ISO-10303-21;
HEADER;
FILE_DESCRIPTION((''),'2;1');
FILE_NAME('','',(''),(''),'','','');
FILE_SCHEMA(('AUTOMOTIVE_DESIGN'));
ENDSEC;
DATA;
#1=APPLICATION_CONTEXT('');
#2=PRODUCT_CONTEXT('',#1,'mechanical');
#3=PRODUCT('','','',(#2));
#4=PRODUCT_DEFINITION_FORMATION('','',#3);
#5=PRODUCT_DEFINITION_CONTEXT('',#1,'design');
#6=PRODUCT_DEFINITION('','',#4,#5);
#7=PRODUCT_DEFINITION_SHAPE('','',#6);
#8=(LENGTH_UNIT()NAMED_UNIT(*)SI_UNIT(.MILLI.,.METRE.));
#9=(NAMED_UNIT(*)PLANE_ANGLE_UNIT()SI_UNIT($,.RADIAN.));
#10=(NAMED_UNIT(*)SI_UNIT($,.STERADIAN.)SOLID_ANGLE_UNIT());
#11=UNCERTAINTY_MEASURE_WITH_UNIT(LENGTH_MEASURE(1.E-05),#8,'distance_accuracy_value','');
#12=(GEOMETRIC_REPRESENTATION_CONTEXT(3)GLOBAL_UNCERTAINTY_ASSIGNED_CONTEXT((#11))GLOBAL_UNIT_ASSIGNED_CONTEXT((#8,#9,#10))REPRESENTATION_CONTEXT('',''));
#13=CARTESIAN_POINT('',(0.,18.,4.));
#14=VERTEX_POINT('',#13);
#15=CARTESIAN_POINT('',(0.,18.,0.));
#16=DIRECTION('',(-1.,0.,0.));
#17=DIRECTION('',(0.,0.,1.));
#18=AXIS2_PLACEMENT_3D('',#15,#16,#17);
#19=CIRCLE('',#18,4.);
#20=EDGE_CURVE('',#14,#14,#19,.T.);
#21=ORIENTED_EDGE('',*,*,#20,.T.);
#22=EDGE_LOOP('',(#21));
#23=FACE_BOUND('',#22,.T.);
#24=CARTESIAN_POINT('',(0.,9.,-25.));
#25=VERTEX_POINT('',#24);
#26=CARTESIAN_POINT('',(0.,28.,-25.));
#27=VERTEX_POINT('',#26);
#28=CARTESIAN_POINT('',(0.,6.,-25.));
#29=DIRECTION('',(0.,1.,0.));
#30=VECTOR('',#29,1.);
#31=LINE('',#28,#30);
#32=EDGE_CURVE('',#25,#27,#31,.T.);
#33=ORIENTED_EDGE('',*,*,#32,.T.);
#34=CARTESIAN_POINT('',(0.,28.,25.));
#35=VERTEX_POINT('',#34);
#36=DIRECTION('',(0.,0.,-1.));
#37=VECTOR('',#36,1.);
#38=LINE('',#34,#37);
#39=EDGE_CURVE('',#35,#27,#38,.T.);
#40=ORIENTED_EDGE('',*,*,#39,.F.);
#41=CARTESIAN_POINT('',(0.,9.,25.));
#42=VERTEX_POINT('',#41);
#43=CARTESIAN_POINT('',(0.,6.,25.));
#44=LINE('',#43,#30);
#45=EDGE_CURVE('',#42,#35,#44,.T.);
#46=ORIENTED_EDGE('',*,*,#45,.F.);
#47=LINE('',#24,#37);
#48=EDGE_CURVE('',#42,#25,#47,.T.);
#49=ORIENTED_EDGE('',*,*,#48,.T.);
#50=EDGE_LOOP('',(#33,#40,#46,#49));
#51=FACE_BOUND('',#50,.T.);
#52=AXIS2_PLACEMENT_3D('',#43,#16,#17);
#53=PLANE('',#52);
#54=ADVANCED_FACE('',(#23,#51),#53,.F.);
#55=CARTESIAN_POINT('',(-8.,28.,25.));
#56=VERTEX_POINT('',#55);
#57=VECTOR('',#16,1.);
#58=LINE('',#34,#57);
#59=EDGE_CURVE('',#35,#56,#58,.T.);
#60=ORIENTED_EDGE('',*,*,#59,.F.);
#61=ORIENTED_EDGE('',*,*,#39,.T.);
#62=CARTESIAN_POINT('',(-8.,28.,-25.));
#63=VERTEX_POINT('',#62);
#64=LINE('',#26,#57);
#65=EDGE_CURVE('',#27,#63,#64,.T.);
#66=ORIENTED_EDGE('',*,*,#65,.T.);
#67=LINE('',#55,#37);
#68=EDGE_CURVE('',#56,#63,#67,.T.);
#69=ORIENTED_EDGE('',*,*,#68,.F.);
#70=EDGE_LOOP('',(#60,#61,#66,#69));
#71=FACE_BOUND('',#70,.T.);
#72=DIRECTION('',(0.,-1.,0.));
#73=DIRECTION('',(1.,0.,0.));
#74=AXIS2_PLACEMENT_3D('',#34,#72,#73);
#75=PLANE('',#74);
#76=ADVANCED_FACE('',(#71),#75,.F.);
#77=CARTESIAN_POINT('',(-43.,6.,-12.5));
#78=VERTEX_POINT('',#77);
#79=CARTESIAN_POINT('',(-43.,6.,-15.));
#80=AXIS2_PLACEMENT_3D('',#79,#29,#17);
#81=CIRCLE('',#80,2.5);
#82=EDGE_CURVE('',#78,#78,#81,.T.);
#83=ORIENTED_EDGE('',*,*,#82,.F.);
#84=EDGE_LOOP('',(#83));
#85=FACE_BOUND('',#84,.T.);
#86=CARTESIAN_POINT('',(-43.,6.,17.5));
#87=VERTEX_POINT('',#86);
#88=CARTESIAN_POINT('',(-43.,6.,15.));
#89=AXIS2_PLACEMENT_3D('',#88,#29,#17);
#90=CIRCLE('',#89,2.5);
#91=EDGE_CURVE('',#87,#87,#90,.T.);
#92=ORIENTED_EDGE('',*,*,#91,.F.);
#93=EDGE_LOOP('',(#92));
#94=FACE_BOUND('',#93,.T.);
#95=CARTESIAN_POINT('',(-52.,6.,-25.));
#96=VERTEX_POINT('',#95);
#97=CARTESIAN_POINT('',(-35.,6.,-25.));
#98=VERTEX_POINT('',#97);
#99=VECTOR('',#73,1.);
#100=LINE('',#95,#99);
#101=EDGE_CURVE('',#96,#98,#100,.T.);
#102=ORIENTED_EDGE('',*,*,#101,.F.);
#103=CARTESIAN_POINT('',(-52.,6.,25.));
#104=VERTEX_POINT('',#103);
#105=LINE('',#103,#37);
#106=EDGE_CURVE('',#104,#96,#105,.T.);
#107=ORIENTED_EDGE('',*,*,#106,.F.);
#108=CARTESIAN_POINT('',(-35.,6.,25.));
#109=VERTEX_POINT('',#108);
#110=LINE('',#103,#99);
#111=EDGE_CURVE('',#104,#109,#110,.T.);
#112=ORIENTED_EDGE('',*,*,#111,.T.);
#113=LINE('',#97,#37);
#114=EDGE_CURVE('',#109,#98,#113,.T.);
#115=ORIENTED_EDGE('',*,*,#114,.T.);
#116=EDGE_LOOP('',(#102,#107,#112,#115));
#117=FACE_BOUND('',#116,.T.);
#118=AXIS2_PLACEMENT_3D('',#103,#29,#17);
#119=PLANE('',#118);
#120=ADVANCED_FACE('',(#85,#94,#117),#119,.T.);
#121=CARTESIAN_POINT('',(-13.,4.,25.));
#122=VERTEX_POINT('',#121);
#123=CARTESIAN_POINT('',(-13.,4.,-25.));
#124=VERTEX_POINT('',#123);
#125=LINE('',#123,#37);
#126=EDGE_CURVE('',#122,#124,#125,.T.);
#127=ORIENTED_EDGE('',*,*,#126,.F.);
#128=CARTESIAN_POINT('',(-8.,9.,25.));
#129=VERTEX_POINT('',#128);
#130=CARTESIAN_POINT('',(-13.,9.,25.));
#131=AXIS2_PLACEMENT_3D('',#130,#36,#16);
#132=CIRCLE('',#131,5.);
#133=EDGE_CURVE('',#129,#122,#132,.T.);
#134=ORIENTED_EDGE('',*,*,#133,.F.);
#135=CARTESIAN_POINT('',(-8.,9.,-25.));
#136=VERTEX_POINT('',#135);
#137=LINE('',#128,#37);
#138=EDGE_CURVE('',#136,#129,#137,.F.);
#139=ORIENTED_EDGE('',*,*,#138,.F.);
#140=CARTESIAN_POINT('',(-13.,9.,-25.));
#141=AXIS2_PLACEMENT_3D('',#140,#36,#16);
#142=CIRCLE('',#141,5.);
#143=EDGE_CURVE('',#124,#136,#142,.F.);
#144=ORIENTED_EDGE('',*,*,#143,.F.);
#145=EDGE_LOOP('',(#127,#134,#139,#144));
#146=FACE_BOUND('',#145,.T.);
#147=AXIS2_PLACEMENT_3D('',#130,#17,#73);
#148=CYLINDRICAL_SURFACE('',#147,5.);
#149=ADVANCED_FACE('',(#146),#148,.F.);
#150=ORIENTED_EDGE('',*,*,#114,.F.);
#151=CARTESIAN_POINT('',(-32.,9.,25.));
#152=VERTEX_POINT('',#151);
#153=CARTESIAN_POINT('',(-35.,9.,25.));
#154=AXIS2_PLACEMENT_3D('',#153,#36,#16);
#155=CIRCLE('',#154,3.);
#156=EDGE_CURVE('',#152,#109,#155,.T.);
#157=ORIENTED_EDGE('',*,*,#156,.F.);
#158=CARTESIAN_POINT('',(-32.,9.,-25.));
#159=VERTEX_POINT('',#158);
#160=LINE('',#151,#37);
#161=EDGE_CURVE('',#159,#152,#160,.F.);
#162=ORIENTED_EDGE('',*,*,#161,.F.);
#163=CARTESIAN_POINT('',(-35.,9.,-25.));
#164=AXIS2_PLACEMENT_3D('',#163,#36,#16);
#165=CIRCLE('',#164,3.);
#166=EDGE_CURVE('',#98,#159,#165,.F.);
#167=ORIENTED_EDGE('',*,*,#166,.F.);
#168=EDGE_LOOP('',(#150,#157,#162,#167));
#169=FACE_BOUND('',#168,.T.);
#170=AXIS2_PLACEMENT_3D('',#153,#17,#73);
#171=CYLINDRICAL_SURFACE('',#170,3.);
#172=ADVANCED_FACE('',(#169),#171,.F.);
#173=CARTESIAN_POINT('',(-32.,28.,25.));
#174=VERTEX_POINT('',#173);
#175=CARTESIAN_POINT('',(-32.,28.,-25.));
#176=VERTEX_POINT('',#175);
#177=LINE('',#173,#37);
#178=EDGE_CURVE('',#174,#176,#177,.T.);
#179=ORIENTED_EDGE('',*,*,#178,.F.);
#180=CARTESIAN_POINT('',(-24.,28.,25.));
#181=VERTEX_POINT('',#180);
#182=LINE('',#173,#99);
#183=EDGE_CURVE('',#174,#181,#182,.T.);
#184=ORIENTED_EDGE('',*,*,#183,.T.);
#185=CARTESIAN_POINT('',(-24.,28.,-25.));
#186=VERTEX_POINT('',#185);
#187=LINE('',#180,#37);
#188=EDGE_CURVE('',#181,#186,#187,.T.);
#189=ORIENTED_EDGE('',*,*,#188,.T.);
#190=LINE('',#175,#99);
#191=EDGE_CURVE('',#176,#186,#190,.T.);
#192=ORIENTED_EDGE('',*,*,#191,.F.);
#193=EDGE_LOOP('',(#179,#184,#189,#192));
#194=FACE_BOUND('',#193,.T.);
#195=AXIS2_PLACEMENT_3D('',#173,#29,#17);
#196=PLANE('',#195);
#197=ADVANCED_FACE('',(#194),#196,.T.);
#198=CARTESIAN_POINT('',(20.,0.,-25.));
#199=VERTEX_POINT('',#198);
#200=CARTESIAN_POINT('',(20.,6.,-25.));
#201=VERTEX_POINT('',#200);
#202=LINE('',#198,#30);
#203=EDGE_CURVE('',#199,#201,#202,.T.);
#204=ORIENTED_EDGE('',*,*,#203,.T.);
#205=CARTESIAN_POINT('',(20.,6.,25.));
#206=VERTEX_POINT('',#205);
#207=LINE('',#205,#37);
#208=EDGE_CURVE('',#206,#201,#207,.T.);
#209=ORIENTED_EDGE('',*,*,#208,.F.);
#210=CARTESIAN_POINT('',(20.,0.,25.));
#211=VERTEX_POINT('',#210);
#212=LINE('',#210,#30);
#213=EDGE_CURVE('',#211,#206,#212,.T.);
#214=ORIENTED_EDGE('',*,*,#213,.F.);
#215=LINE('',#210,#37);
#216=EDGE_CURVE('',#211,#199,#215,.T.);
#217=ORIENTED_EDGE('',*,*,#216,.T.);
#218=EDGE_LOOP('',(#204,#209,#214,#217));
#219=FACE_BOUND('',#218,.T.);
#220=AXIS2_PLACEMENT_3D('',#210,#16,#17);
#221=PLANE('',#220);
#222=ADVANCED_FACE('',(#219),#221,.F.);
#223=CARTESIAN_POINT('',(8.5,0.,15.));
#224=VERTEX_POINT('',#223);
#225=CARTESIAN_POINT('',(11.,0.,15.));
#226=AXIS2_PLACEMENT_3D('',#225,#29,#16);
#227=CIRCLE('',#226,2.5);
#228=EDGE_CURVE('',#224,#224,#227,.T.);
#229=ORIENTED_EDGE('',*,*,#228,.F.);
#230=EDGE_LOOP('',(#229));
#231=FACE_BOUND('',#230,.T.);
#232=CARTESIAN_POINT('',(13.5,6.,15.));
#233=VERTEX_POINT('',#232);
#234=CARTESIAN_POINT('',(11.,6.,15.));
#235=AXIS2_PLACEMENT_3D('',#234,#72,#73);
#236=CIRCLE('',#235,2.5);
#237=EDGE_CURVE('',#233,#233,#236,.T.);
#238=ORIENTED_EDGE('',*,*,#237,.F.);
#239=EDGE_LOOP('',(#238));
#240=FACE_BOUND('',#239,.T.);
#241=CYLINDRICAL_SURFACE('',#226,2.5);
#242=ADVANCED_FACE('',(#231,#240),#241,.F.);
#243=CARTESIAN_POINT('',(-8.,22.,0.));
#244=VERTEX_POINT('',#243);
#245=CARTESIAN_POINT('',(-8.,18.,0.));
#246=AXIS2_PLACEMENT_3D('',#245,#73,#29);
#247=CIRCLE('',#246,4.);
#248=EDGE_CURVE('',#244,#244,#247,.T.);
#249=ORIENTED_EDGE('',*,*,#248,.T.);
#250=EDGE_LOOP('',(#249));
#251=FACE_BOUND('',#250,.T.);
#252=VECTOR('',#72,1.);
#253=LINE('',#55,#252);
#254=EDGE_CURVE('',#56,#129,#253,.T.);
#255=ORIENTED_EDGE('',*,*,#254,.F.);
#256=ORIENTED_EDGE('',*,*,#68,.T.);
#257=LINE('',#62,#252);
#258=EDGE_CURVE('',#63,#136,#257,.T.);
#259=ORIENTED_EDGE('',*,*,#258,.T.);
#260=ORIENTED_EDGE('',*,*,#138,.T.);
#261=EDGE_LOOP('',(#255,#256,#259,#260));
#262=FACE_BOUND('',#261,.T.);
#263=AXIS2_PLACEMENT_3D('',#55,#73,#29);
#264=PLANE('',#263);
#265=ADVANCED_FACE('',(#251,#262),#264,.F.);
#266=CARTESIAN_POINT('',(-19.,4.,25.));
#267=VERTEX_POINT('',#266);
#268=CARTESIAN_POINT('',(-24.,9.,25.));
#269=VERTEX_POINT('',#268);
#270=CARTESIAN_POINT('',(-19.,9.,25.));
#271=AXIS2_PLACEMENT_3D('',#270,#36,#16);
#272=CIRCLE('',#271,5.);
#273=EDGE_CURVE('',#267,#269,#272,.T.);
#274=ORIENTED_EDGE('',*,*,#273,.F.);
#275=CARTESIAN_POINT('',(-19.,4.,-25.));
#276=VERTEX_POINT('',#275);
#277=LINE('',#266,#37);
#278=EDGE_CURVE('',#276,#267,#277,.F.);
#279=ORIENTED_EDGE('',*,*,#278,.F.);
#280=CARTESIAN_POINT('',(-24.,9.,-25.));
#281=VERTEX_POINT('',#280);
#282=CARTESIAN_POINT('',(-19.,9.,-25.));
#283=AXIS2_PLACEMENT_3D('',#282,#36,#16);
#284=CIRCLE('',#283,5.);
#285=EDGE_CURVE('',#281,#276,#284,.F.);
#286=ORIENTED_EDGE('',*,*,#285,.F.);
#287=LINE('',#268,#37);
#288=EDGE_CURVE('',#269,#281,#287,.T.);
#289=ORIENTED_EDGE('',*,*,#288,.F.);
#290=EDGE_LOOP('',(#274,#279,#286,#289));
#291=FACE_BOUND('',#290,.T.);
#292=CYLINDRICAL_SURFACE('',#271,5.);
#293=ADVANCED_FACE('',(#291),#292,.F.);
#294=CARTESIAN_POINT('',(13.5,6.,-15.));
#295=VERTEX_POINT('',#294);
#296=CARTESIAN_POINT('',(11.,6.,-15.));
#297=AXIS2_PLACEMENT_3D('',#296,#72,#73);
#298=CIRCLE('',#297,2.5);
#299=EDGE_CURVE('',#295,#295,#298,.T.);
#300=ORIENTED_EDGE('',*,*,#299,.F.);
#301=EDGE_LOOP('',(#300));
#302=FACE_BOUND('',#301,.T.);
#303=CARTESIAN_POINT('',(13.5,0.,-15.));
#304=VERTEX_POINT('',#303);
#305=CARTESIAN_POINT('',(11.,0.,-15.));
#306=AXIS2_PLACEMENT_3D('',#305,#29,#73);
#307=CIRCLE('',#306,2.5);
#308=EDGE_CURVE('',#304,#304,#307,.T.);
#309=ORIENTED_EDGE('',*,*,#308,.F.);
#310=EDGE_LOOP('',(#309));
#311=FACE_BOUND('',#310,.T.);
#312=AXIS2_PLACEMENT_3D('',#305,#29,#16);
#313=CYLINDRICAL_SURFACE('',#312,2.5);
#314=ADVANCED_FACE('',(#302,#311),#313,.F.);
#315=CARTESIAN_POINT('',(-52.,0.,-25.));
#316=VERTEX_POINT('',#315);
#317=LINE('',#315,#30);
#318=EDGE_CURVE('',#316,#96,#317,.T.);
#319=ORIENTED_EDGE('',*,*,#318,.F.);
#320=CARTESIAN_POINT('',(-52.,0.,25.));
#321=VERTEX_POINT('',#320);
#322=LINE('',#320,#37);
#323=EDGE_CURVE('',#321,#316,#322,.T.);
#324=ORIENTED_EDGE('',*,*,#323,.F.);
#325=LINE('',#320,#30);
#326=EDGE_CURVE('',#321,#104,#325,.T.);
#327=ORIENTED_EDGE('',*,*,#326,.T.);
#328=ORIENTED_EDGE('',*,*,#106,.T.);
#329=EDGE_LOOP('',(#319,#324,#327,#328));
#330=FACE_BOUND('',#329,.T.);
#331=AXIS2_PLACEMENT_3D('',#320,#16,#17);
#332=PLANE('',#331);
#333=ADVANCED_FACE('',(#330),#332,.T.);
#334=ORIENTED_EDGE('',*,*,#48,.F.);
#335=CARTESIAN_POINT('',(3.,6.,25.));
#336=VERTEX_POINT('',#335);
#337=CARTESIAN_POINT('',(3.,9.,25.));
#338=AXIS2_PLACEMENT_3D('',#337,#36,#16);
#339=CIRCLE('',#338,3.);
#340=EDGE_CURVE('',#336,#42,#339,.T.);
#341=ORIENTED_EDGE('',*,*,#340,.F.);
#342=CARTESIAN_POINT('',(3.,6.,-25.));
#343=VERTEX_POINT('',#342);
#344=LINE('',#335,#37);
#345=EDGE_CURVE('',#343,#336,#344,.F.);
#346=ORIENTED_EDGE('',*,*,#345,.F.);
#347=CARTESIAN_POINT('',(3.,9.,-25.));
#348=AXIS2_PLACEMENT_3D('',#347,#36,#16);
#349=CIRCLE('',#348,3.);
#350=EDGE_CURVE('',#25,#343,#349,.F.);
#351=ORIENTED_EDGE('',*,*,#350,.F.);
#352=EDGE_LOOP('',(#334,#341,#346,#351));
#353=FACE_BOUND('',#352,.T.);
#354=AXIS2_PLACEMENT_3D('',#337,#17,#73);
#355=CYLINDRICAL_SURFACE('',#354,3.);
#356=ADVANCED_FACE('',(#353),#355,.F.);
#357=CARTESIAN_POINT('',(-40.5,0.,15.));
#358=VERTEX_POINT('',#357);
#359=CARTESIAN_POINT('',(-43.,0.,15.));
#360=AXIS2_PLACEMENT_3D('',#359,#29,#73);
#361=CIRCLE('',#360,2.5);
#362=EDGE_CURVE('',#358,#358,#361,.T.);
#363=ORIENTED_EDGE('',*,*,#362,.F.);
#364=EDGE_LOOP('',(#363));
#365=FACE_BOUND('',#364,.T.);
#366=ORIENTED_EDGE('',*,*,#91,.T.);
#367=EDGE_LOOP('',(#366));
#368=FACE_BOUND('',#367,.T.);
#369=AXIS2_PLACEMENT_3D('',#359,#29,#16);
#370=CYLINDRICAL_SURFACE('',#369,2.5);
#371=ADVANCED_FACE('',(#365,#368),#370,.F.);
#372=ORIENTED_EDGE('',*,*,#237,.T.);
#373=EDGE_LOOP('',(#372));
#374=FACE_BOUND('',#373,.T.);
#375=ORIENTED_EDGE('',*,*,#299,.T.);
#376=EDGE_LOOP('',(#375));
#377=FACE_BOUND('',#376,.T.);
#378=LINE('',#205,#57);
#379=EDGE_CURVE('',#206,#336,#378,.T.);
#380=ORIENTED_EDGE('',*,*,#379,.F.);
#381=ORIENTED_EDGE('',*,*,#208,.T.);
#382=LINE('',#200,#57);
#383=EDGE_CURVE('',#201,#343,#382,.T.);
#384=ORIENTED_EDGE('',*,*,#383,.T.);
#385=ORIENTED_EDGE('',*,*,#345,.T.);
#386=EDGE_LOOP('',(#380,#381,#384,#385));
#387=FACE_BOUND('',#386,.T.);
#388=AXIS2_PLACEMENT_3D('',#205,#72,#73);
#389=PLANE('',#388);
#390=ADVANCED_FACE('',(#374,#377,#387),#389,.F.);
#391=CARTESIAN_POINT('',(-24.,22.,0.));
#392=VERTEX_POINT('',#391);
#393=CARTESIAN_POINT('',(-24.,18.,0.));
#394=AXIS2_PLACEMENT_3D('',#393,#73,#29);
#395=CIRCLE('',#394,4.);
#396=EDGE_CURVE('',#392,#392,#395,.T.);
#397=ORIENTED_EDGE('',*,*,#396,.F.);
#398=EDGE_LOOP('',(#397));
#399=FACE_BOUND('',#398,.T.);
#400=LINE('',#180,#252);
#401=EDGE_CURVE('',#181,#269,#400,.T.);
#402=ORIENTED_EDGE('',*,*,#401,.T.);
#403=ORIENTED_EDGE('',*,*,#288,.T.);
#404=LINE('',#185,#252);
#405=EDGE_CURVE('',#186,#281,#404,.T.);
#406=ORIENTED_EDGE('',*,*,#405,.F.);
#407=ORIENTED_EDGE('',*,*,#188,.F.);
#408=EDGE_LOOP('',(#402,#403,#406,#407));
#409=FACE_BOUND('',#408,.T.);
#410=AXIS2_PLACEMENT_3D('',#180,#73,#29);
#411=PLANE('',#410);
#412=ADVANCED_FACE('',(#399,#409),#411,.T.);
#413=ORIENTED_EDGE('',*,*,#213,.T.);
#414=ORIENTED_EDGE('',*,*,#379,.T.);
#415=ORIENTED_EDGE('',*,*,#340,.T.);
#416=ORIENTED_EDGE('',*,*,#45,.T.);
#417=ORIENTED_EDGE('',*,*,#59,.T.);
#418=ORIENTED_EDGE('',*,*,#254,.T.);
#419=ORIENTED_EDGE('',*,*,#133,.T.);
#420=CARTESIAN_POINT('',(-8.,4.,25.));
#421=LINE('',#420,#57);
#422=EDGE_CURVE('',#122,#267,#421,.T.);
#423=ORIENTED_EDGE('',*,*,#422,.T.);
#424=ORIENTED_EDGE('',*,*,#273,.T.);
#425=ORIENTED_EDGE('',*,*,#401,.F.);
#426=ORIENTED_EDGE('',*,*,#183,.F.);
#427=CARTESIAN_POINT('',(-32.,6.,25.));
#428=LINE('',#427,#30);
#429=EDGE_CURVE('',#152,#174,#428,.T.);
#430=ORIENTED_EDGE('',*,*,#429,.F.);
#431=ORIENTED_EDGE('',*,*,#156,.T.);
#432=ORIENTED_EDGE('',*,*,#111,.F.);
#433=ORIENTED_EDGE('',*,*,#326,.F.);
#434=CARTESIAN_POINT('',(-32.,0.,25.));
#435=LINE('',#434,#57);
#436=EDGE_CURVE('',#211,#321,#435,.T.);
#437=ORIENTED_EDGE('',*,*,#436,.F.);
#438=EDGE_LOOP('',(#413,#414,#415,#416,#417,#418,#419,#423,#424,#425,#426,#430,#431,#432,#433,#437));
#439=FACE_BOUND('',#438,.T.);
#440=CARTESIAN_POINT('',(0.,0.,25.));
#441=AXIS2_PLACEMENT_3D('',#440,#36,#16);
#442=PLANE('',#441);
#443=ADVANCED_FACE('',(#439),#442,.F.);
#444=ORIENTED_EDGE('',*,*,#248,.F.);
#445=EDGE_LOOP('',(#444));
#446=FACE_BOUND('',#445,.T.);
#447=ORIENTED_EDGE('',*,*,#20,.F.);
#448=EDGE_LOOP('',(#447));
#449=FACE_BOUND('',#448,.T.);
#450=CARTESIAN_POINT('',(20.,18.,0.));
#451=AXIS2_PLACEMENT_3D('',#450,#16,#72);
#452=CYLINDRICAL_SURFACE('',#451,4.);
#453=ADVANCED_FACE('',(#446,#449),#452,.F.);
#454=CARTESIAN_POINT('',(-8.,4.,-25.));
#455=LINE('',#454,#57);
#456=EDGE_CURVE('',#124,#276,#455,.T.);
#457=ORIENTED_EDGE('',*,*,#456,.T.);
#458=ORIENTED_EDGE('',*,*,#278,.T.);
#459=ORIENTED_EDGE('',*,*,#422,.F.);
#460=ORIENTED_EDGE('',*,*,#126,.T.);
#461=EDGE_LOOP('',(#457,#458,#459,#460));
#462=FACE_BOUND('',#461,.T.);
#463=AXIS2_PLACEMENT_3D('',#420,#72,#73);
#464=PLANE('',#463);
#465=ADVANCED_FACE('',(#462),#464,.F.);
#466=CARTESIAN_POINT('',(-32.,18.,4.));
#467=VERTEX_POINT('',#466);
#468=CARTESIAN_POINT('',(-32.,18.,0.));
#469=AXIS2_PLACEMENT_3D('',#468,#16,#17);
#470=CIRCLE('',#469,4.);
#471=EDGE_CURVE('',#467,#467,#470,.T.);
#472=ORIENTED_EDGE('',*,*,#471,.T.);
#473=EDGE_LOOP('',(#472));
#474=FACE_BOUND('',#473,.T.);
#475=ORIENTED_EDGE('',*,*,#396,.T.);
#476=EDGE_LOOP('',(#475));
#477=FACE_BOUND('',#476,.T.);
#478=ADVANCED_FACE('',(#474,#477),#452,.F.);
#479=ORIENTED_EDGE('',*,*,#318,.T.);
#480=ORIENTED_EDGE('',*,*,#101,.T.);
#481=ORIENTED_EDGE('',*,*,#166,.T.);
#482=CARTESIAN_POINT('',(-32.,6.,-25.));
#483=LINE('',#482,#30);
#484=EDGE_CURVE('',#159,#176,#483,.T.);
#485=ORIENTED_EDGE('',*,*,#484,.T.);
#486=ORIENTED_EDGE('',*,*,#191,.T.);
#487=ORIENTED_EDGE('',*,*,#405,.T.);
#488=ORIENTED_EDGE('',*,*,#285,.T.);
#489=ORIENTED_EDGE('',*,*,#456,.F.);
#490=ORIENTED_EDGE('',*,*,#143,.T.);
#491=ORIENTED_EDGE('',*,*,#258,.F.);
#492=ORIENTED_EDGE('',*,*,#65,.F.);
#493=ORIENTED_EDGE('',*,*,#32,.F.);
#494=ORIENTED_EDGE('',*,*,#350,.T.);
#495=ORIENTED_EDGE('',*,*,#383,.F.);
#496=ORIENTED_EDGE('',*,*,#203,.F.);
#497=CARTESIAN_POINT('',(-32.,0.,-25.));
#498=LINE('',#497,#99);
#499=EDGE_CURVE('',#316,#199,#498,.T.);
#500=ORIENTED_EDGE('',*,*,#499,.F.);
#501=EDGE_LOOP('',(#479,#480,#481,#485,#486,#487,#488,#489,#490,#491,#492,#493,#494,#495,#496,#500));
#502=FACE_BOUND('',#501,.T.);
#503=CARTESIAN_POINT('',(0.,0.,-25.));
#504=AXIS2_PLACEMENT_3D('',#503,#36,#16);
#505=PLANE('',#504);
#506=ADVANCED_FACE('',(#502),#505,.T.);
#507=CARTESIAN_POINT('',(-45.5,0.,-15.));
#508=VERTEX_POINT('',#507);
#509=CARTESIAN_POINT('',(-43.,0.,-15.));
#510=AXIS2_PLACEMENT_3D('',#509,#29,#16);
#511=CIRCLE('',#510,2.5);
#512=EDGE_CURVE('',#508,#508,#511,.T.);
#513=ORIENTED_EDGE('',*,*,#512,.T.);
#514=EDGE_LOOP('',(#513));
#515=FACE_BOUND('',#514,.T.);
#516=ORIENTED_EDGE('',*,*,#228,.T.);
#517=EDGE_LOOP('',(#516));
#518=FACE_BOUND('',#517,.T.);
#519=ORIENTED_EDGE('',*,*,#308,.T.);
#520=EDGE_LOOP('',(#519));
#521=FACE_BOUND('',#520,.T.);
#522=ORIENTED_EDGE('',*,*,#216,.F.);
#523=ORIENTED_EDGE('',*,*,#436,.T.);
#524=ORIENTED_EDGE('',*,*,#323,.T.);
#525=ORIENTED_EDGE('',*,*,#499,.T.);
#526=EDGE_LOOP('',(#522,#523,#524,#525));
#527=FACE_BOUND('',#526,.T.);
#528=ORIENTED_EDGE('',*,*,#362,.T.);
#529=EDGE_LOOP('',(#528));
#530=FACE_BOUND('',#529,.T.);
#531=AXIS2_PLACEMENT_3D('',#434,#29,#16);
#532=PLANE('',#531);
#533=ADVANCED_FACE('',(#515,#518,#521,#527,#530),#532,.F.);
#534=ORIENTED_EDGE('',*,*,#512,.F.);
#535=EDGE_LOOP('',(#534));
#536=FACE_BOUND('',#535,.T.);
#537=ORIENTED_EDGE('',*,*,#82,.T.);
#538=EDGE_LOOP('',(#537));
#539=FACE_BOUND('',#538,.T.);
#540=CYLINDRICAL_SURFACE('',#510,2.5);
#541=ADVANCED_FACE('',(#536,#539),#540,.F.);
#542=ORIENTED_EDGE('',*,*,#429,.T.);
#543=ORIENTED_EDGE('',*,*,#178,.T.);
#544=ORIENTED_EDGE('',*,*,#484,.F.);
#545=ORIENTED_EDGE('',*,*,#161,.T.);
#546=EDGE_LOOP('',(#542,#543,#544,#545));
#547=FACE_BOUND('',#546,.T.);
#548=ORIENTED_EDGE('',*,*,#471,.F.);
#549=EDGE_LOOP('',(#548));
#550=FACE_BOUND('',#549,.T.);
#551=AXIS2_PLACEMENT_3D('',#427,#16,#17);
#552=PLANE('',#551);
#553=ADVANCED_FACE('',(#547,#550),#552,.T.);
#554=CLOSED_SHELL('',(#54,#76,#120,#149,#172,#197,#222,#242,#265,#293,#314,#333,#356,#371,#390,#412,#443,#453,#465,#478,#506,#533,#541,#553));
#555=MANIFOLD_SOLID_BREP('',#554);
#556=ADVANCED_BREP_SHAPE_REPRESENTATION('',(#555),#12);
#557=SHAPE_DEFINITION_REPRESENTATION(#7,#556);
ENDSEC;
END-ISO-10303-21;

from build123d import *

# Parameters (mm, degrees)
BOSS_EXTRUDE1_DEPTH     = 25
SKETCH2_R               = 4
CUT_EXTRUDE1_DEPTH      = 45
CUT_EXTRUDE1_DEPTH_BACK = 29
FILLET1_R               = 3
FILLET2_R               = 5
SKETCH3_R               = 2.5
CUT_EXTRUDE2_DEPTH      = 25
CUT_EXTRUDE2_DEPTH_BACK = 5


with BuildPart() as part:
    # Sketch1 → Boss-Extrude1 (new body, symmetric)
    with BuildSketch(Plane.XY):
        Polygon((0, 28), (-8, 28), (-8, 4), (-24, 4), (-24, 28), (-32, 28), (-32, 6), (-52, 6), (-52, 0), (-32, 0), (0, 0), (20, 0), (20, 6), (0, 6), align=None)
    extrude(amount=BOSS_EXTRUDE1_DEPTH, both=True)

    # Sketch2 → Cut-Extrude1 (cut, two sides)
    with BuildSketch(Plane.ZY.offset(8)) as cut_extrude1_sk:
        with Locations((0, 18)):
            Circle(SKETCH2_R)
    extrude(amount=CUT_EXTRUDE1_DEPTH, mode=Mode.SUBTRACT)
    extrude(cut_extrude1_sk.sketch, amount=-CUT_EXTRUDE1_DEPTH_BACK, mode=Mode.SUBTRACT)

    # Fillet1
    fillet1_edges = [part.edges().sort_by_distance(p)[0] for p in [
        (0, 6, 0),
        (-32, 6, 0),
    ]]
    fillet(fillet1_edges, radius=FILLET1_R)

    # Fillet2
    fillet2_edges = [part.edges().sort_by_distance(p)[0] for p in [
        (-8, 4, 0),
        (-24, 4, 0),
    ]]
    fillet(fillet2_edges, radius=FILLET2_R)

    # Sketch3 → Cut-Extrude2 (cut, two sides)
    with BuildSketch(Plane(origin=(0, 4, 0), x_dir=(1, 0, 0), z_dir=(0, 1, 0))) as cut_extrude2_sk:
        with Locations((-43, 15)):
            Circle(SKETCH3_R)
        with Locations((11, 15)):
            Circle(SKETCH3_R)
        with Locations((11, -15)):
            Circle(SKETCH3_R)
        with Locations((-43, -15)):
            Circle(SKETCH3_R)
    extrude(amount=CUT_EXTRUDE2_DEPTH, mode=Mode.SUBTRACT)
    extrude(cut_extrude2_sk.sketch, amount=-CUT_EXTRUDE2_DEPTH_BACK, mode=Mode.SUBTRACT)


solid = part.part
